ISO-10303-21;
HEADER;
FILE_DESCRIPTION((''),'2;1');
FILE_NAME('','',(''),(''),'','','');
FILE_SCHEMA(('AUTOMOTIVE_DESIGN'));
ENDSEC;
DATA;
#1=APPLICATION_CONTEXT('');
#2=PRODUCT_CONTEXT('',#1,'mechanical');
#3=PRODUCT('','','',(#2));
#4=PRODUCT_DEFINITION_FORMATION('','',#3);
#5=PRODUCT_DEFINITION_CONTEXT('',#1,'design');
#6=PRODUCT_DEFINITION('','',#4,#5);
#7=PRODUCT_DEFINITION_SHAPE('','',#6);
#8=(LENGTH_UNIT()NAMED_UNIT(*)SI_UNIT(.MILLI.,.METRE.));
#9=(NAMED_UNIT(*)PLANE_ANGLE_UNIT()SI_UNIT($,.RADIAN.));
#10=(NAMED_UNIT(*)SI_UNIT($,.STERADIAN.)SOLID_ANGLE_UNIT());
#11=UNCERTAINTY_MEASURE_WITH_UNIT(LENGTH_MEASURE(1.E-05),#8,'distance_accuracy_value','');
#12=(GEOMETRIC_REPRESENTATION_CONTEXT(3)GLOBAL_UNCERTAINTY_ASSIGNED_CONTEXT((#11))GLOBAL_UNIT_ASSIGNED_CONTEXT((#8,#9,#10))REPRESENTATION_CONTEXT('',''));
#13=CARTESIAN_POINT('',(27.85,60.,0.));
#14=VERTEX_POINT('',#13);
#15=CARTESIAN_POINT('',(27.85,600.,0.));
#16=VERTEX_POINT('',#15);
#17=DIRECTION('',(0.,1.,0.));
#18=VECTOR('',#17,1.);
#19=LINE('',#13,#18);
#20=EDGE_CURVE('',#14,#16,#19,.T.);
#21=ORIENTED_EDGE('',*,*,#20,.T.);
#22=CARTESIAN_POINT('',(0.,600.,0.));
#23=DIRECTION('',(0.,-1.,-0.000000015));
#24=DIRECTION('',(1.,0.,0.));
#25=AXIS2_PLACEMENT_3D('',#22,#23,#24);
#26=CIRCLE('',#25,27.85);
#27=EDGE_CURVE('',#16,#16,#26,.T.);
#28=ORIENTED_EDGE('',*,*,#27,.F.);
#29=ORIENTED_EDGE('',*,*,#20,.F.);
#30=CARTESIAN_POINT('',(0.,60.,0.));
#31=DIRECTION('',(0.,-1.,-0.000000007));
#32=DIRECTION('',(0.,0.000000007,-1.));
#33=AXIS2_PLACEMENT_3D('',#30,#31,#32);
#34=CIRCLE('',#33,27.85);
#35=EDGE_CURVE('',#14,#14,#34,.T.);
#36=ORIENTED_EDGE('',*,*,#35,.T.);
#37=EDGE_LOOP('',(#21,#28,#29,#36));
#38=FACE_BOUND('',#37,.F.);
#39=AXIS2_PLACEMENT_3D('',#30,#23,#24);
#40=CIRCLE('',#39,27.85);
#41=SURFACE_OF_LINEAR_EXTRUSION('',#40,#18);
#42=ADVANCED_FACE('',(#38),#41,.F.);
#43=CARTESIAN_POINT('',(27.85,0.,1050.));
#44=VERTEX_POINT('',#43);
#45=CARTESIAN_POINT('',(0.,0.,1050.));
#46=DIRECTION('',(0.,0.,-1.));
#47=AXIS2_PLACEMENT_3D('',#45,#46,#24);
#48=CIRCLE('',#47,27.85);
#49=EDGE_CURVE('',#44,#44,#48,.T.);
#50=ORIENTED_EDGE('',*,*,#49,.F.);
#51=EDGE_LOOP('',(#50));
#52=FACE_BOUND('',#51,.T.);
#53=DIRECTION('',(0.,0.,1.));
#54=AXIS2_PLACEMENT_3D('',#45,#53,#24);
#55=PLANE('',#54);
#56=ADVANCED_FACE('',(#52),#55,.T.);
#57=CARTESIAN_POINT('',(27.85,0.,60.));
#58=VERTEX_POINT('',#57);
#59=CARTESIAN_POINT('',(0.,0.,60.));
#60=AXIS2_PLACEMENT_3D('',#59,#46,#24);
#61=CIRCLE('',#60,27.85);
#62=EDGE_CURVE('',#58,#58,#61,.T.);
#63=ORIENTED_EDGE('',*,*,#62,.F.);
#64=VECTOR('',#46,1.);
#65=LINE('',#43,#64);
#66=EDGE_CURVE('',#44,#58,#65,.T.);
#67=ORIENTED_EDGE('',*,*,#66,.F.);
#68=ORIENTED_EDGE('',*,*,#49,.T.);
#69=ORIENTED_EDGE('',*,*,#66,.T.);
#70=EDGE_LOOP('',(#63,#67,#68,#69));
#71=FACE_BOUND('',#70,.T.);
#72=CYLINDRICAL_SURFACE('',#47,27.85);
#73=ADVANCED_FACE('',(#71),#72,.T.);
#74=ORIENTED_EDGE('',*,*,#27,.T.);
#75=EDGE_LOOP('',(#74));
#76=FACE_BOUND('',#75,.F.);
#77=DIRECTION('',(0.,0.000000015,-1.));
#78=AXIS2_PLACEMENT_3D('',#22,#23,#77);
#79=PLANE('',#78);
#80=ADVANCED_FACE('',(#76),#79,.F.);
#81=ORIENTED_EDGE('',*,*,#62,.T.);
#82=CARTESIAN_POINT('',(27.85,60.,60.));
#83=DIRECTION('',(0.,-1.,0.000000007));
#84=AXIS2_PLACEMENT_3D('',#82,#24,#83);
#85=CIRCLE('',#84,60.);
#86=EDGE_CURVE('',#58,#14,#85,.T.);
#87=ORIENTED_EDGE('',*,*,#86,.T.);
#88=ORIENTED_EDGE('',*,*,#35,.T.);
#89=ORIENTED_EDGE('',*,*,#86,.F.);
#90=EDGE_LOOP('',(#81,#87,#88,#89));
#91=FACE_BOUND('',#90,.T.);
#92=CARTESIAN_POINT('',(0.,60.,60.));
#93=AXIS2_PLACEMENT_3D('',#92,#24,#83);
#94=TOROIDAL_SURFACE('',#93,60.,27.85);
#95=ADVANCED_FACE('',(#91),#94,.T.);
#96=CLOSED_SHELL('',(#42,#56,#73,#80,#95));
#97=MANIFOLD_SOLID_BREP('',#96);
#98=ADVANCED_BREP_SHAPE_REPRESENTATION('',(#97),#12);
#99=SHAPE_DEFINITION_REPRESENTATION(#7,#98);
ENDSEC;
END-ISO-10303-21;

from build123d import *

# Parameters (mm, degrees)
F2_R = 27.85


with BuildPart() as f3:
    # F3: sweep along a path in F0
    with BuildLine(Plane.YZ) as f3_path:
        Line((0, 1050), (0, 60))
        ThreePointArc((0, 60), (17.573593, 17.573593), (60, 0))
        Line((60, 0), (600, 0))
    # F2 (on plane+point) → F3 (sweep)
    with BuildSketch(Plane.XY.offset(1050)):
        Circle(F2_R)
    sweep(path=f3_path.line)


solid = f3.part
